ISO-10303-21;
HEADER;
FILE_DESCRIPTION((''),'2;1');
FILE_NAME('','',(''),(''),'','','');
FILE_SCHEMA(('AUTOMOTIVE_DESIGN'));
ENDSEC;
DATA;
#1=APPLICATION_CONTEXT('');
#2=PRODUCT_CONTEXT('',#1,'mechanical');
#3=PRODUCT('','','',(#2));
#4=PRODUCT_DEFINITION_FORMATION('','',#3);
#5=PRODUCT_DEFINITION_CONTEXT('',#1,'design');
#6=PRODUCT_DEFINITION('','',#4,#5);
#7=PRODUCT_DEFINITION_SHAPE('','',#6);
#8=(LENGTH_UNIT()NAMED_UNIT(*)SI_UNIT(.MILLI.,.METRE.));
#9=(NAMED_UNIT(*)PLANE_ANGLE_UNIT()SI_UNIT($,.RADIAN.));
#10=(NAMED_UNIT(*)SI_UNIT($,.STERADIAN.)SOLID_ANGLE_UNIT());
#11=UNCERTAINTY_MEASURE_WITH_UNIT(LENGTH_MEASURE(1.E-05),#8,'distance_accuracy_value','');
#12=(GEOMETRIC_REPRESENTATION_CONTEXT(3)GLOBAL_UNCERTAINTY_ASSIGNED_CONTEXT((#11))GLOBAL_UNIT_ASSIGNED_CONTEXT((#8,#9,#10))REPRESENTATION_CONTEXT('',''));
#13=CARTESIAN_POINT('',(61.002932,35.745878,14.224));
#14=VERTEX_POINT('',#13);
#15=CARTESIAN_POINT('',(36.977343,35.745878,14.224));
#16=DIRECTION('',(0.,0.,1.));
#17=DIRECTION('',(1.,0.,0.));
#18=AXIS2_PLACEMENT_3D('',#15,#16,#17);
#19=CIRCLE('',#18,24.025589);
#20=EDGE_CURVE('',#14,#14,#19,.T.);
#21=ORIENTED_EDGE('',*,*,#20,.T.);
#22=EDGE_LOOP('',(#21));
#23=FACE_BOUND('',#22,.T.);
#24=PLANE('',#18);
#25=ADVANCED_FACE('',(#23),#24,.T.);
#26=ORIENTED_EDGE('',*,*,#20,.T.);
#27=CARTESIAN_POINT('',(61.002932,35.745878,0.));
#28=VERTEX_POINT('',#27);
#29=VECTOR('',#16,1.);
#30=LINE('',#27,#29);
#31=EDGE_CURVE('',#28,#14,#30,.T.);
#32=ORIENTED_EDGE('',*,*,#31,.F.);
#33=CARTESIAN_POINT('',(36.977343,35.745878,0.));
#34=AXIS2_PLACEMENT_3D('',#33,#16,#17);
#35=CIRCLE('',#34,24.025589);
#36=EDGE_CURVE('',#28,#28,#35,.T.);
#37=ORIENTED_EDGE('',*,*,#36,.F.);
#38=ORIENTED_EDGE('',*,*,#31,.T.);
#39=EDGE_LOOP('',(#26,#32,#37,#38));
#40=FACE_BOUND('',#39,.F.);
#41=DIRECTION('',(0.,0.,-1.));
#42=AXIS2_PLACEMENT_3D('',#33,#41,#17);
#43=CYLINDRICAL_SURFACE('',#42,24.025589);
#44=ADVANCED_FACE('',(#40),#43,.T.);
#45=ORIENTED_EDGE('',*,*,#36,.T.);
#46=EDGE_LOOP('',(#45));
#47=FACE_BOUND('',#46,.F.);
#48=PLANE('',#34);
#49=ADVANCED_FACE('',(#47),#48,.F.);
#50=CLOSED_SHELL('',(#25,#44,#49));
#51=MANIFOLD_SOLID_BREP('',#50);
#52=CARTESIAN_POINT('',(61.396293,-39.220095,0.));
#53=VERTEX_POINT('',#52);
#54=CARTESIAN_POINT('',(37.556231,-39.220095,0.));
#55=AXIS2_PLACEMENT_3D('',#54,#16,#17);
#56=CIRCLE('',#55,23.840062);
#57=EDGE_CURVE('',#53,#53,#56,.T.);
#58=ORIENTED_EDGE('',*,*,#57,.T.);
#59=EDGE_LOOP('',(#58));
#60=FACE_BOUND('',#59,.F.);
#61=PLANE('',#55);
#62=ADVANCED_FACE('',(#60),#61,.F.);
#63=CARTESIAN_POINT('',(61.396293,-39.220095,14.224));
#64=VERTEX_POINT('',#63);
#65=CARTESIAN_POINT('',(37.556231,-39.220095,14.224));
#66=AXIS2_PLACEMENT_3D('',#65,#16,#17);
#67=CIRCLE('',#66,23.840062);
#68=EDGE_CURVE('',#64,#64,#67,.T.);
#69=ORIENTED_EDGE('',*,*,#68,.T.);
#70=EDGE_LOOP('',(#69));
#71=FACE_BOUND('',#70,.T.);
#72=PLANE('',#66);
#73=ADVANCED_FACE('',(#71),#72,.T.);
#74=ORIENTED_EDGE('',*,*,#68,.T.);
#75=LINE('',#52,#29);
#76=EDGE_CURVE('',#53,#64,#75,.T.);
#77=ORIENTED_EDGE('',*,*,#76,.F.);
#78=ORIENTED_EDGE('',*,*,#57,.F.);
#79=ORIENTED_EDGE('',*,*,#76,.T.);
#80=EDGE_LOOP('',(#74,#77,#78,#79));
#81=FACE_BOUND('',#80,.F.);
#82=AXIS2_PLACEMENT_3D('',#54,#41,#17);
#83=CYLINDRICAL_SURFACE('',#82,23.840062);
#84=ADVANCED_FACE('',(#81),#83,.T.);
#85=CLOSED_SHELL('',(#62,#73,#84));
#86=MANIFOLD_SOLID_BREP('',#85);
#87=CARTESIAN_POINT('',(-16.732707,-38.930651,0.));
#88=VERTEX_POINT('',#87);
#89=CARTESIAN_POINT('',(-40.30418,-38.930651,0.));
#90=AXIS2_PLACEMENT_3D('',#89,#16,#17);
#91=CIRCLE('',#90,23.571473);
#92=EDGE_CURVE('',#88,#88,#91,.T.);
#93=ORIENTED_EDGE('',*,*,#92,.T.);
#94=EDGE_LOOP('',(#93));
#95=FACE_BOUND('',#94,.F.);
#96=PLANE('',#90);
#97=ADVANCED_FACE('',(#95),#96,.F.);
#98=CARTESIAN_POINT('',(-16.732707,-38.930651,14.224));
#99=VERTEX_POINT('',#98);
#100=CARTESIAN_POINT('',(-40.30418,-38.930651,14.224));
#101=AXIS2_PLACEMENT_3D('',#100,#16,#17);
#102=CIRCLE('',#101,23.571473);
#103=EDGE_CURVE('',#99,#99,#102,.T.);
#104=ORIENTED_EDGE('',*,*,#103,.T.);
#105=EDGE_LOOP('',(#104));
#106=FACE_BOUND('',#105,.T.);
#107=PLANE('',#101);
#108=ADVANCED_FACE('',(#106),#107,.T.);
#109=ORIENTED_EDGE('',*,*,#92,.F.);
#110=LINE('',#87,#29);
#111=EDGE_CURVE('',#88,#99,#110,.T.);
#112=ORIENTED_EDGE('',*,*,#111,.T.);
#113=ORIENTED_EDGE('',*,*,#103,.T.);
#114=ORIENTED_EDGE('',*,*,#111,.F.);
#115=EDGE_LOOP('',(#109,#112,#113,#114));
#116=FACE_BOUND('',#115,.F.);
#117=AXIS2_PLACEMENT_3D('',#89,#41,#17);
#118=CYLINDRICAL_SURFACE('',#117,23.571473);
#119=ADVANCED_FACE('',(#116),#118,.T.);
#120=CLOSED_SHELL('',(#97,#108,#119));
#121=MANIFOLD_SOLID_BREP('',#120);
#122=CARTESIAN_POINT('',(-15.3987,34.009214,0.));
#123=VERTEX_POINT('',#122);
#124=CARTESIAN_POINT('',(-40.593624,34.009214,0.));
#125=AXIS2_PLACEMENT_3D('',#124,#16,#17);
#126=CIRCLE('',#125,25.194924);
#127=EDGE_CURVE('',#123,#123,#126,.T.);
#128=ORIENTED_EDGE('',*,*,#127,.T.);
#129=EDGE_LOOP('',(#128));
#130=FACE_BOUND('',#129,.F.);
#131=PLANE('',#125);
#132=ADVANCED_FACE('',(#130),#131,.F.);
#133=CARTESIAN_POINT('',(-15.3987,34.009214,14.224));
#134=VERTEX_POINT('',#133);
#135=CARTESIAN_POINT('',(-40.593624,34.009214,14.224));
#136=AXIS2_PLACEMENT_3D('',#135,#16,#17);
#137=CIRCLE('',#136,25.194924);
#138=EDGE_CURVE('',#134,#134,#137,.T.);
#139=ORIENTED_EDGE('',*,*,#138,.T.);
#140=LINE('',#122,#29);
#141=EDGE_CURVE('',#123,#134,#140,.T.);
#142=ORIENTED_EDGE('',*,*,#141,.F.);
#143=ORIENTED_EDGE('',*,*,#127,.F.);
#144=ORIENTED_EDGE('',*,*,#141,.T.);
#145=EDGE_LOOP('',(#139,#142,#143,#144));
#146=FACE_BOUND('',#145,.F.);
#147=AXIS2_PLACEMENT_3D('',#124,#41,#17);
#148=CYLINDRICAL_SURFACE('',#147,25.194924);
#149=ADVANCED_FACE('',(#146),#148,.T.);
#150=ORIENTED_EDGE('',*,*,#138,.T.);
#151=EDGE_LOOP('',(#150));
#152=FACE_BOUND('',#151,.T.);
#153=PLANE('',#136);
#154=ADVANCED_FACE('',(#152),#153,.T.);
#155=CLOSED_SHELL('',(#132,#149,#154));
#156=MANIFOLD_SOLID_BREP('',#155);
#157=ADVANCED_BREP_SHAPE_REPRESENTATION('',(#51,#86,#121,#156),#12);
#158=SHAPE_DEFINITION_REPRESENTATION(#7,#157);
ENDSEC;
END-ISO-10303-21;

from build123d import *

# Parameters (mm, degrees)
F0_R     = 25.194924
F0_R_2   = 24.025589
F0_R_3   = 23.571473
F0_R_4   = 23.840062
F1_DEPTH = 14.224


with BuildPart() as f1:
    # F0 (on Top) → F1 (new body)
    with BuildSketch(Plane.XY):
        with Locations((-40.593624, 34.009214)):
            Circle(F0_R)
        with Locations((36.977343, 35.745878)):
            Circle(F0_R_2)
        with Locations((-40.30418, -38.930651)):
            Circle(F0_R_3)
        with Locations((37.556231, -39.220095)):
            Circle(F0_R_4)
    extrude(amount=F1_DEPTH)


solid = f1.part
